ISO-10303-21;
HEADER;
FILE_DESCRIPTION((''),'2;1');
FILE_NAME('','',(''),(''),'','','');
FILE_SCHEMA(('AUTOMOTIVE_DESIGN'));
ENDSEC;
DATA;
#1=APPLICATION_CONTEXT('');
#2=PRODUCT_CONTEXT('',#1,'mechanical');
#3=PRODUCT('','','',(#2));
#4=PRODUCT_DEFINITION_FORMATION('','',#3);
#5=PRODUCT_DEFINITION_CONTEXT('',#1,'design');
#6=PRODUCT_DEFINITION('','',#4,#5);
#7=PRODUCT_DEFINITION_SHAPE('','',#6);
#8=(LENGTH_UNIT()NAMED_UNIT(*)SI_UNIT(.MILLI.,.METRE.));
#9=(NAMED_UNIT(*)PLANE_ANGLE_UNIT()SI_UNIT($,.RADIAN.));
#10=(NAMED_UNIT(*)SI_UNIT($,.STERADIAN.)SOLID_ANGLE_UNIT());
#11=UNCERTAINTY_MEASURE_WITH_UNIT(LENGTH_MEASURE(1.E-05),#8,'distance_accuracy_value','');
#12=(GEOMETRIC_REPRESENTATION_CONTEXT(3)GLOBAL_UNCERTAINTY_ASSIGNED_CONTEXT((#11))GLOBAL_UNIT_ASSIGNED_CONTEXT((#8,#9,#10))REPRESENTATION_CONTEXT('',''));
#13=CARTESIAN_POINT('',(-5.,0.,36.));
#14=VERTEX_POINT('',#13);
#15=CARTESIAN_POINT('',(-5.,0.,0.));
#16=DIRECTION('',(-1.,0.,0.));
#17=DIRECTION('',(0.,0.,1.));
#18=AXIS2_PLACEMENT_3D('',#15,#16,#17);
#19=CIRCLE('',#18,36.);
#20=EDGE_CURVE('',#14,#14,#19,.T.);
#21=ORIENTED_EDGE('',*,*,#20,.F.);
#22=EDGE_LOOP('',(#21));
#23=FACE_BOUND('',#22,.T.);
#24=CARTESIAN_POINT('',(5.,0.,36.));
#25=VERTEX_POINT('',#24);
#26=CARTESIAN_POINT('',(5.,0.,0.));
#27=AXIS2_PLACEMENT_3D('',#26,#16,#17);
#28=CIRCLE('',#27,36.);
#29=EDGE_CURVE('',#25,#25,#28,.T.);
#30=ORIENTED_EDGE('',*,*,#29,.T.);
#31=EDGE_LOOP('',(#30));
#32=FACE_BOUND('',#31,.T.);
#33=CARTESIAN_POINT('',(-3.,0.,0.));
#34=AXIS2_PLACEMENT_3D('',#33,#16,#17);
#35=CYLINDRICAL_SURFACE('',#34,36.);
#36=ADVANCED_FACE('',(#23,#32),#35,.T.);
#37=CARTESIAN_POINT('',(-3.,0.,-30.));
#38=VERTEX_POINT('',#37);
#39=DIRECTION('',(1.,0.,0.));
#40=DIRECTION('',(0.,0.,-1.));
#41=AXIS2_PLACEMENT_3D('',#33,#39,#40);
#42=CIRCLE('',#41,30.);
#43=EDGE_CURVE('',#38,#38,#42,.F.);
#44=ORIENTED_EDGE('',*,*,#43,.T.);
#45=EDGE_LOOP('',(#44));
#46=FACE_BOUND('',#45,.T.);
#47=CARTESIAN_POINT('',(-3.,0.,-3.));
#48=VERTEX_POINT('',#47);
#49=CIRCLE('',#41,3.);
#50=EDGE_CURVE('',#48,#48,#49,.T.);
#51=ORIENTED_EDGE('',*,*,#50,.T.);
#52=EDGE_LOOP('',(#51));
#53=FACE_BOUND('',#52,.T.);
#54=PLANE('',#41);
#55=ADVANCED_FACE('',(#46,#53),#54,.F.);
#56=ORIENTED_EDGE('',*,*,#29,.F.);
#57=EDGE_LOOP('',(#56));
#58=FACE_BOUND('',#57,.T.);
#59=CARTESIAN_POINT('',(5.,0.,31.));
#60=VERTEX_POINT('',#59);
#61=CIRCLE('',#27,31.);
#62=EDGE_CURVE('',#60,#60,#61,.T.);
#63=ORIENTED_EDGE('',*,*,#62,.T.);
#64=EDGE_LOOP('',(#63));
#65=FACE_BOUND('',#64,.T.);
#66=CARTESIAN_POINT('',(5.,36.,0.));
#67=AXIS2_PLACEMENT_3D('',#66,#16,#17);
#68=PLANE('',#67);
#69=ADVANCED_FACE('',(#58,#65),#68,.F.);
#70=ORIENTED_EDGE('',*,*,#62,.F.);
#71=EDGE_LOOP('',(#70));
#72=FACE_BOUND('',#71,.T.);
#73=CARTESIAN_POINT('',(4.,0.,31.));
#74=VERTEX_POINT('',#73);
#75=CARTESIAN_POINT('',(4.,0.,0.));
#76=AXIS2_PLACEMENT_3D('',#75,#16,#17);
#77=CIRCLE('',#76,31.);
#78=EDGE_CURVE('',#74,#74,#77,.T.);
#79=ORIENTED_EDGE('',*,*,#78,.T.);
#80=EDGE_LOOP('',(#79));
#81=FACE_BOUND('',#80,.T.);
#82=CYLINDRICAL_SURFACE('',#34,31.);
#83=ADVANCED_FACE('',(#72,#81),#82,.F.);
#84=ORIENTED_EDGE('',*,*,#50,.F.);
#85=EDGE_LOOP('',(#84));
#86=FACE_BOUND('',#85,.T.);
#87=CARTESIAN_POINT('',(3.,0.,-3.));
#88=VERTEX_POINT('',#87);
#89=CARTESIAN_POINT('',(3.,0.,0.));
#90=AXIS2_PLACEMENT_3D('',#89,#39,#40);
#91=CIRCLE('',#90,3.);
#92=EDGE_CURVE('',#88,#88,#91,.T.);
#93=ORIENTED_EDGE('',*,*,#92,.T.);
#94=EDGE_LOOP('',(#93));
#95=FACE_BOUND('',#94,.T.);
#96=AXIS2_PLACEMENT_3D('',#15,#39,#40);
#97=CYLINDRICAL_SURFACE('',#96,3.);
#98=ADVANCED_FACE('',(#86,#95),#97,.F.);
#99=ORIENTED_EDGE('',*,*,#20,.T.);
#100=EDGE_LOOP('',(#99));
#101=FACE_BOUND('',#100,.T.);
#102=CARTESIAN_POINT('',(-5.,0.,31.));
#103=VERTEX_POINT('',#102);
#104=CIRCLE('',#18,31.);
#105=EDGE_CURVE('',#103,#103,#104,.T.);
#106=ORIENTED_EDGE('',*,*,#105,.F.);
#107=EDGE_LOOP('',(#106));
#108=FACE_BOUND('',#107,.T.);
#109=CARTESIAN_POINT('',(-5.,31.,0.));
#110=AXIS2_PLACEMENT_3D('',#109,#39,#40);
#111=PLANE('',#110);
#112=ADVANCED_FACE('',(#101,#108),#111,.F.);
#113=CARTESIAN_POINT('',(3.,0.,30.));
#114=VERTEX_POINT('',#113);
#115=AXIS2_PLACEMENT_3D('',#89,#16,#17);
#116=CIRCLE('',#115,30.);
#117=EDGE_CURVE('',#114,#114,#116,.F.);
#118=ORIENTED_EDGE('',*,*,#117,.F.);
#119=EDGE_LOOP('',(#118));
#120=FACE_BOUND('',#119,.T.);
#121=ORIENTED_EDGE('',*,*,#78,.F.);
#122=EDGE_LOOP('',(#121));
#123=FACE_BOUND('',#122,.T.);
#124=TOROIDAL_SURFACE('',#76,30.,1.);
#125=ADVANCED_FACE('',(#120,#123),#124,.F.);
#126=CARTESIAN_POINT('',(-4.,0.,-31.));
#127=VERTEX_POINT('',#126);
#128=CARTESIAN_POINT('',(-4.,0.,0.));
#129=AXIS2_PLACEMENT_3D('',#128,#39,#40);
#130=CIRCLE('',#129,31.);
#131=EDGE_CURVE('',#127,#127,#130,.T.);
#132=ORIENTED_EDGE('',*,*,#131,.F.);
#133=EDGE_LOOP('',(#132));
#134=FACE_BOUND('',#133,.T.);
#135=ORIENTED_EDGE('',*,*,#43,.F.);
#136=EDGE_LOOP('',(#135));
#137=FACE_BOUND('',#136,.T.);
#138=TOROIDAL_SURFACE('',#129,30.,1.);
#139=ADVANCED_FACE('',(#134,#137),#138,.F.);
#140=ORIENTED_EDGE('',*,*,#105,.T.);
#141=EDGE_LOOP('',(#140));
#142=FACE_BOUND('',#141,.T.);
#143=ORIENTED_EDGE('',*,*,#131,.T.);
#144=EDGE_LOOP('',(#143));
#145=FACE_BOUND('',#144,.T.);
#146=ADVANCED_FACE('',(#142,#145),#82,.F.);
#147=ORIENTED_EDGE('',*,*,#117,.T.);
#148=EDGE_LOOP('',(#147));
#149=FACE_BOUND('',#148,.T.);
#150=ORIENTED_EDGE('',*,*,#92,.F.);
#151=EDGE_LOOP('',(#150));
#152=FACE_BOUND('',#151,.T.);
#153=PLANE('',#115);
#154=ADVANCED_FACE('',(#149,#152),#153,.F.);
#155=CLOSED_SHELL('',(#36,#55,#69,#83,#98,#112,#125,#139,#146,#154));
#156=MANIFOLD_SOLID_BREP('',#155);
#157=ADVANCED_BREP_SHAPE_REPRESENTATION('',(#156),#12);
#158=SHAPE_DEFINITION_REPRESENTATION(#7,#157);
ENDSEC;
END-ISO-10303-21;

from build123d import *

# Parameters (mm, degrees)
ESQUISSE2_R             = 3
ENL_V_MAT_EXTRU_2_DEPTH = 9
CONG_1_R                = 1


with BuildPart() as part:
    # Esquisse1 → Révolution1 (revolve)
    with BuildSketch(Plane.XY):
        Polygon((-3, 31), (-5, 31), (-5, 36), (5, 36), (5, 31), (3, 31), (3, 0), (-3, 0), align=None)
    revolve(axis=Axis((-3, 0, 0), (1, 0, 0)))

    # Esquisse2 → Enlèv. mat.-Extru.2 (cut, through all)
    with BuildSketch(Plane(origin=(3, 0, 0), x_dir=(0, 0, -1), z_dir=(1, 0, 0))):
        Circle(ESQUISSE2_R)
    extrude(amount=-ENL_V_MAT_EXTRU_2_DEPTH, mode=Mode.SUBTRACT)

    # Congé1
    cong_1_edges = [part.edges().sort_by_distance(p)[0] for p in [
        (-3, -31, 0),
        (3, -31, 0),
    ]]
    fillet(cong_1_edges, radius=CONG_1_R)


solid = part.part
